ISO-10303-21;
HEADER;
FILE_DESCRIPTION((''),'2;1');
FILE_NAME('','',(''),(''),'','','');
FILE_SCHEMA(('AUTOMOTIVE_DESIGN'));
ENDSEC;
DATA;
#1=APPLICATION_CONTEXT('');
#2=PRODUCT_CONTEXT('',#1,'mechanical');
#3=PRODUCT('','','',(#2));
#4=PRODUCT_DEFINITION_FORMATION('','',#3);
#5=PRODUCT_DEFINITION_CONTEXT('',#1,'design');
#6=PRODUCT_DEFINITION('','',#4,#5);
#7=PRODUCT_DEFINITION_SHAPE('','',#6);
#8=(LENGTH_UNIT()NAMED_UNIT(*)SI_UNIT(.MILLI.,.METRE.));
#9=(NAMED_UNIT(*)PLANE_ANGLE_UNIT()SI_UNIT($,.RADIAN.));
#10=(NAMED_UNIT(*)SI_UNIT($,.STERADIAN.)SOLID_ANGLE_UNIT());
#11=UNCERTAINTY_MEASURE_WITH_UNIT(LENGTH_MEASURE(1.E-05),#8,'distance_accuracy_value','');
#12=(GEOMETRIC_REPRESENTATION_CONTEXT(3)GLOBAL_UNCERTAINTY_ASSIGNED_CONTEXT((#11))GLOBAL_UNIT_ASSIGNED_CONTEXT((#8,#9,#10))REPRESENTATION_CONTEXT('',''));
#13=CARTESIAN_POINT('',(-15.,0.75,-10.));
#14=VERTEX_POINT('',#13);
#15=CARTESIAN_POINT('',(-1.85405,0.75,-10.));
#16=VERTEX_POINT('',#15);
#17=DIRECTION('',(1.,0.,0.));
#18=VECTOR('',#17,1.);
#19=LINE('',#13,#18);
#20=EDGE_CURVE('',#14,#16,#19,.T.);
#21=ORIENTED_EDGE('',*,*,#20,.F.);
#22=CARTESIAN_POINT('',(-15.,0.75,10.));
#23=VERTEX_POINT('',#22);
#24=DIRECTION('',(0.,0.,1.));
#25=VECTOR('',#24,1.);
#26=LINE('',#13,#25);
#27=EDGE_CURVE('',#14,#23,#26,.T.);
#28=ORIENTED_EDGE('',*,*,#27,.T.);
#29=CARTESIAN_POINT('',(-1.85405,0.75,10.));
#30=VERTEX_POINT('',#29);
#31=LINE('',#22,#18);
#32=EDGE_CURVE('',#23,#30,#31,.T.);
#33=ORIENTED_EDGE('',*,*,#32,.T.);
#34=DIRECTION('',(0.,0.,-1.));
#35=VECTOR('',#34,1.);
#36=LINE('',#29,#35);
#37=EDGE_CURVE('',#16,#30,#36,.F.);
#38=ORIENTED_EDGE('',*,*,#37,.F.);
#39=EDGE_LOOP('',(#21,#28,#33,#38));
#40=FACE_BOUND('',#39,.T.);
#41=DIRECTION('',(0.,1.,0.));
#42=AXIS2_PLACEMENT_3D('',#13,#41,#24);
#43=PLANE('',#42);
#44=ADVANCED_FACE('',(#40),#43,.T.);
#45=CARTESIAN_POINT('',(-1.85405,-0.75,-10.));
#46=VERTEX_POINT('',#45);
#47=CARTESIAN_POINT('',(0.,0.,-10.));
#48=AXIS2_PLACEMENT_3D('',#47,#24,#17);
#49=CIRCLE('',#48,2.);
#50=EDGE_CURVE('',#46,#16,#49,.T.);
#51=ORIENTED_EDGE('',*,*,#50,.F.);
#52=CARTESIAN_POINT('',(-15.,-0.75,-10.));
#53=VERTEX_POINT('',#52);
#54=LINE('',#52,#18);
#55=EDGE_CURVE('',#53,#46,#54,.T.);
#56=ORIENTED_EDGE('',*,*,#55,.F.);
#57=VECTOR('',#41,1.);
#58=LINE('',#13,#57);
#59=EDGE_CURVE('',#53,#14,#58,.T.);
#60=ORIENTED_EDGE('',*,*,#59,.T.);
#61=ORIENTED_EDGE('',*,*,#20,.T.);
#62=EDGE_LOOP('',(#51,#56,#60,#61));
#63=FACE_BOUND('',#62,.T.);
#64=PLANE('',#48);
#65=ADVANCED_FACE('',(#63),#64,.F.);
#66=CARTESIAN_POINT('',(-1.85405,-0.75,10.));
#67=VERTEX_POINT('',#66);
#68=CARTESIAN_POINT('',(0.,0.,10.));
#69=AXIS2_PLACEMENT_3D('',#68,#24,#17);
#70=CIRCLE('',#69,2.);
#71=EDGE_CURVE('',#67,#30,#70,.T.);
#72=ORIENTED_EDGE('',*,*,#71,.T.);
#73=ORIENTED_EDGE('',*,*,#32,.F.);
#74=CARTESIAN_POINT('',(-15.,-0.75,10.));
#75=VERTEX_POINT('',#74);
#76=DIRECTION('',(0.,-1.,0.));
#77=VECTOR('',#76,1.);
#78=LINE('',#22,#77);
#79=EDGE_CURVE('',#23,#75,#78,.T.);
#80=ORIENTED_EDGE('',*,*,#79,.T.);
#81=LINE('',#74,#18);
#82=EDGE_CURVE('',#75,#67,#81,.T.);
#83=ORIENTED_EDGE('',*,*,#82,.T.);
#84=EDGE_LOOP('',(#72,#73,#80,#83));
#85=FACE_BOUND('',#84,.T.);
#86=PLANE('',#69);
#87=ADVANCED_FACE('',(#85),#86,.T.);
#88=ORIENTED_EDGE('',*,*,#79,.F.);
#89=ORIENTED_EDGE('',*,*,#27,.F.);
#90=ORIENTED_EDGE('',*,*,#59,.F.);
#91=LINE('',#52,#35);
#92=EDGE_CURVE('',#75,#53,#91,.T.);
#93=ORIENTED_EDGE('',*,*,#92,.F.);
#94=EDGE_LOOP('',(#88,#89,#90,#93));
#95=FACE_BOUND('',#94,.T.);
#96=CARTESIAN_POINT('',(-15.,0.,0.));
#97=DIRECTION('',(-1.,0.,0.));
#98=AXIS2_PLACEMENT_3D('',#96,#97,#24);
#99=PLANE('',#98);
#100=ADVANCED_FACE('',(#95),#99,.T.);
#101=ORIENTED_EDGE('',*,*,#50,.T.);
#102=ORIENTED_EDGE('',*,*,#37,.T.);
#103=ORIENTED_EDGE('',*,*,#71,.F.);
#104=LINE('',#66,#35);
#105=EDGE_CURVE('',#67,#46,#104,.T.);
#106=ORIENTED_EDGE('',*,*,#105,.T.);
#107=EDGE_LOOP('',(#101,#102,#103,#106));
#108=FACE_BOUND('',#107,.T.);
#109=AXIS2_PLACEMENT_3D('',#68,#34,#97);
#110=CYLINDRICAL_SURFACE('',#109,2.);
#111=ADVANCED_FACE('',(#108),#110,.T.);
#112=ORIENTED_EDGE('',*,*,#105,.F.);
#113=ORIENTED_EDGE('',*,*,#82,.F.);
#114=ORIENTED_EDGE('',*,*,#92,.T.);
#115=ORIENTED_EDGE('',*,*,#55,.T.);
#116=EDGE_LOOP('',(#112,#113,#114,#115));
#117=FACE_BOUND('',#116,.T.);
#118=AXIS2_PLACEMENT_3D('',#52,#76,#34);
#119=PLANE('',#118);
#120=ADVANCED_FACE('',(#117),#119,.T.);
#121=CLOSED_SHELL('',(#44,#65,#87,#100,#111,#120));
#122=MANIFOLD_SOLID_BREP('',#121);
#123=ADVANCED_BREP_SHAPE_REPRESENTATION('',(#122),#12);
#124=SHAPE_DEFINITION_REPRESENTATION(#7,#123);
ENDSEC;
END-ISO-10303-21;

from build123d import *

# Parameters (mm, degrees)
SKETCH1_R           = 2
BOSS_EXTRUDE1_DEPTH = 10
SKETCH2_W           = 20
SKETCH2_H           = 1.5
BOSS_EXTRUDE2_DEPTH = 15


with BuildPart() as part:
    # Sketch1 → Boss-Extrude1 (new, symmetric)
    with BuildSketch(Plane.XY):
        Circle(SKETCH1_R)
    extrude(amount=BOSS_EXTRUDE1_DEPTH, both=True)

    # Sketch2 → Boss-Extrude2 (add)
    with BuildSketch(Plane(origin=(0, 0, 0), x_dir=(0, 0, -1), z_dir=(1, 0, 0))):
        Rectangle(SKETCH2_W, SKETCH2_H)
    extrude(amount=-BOSS_EXTRUDE2_DEPTH)


solid = part.part
